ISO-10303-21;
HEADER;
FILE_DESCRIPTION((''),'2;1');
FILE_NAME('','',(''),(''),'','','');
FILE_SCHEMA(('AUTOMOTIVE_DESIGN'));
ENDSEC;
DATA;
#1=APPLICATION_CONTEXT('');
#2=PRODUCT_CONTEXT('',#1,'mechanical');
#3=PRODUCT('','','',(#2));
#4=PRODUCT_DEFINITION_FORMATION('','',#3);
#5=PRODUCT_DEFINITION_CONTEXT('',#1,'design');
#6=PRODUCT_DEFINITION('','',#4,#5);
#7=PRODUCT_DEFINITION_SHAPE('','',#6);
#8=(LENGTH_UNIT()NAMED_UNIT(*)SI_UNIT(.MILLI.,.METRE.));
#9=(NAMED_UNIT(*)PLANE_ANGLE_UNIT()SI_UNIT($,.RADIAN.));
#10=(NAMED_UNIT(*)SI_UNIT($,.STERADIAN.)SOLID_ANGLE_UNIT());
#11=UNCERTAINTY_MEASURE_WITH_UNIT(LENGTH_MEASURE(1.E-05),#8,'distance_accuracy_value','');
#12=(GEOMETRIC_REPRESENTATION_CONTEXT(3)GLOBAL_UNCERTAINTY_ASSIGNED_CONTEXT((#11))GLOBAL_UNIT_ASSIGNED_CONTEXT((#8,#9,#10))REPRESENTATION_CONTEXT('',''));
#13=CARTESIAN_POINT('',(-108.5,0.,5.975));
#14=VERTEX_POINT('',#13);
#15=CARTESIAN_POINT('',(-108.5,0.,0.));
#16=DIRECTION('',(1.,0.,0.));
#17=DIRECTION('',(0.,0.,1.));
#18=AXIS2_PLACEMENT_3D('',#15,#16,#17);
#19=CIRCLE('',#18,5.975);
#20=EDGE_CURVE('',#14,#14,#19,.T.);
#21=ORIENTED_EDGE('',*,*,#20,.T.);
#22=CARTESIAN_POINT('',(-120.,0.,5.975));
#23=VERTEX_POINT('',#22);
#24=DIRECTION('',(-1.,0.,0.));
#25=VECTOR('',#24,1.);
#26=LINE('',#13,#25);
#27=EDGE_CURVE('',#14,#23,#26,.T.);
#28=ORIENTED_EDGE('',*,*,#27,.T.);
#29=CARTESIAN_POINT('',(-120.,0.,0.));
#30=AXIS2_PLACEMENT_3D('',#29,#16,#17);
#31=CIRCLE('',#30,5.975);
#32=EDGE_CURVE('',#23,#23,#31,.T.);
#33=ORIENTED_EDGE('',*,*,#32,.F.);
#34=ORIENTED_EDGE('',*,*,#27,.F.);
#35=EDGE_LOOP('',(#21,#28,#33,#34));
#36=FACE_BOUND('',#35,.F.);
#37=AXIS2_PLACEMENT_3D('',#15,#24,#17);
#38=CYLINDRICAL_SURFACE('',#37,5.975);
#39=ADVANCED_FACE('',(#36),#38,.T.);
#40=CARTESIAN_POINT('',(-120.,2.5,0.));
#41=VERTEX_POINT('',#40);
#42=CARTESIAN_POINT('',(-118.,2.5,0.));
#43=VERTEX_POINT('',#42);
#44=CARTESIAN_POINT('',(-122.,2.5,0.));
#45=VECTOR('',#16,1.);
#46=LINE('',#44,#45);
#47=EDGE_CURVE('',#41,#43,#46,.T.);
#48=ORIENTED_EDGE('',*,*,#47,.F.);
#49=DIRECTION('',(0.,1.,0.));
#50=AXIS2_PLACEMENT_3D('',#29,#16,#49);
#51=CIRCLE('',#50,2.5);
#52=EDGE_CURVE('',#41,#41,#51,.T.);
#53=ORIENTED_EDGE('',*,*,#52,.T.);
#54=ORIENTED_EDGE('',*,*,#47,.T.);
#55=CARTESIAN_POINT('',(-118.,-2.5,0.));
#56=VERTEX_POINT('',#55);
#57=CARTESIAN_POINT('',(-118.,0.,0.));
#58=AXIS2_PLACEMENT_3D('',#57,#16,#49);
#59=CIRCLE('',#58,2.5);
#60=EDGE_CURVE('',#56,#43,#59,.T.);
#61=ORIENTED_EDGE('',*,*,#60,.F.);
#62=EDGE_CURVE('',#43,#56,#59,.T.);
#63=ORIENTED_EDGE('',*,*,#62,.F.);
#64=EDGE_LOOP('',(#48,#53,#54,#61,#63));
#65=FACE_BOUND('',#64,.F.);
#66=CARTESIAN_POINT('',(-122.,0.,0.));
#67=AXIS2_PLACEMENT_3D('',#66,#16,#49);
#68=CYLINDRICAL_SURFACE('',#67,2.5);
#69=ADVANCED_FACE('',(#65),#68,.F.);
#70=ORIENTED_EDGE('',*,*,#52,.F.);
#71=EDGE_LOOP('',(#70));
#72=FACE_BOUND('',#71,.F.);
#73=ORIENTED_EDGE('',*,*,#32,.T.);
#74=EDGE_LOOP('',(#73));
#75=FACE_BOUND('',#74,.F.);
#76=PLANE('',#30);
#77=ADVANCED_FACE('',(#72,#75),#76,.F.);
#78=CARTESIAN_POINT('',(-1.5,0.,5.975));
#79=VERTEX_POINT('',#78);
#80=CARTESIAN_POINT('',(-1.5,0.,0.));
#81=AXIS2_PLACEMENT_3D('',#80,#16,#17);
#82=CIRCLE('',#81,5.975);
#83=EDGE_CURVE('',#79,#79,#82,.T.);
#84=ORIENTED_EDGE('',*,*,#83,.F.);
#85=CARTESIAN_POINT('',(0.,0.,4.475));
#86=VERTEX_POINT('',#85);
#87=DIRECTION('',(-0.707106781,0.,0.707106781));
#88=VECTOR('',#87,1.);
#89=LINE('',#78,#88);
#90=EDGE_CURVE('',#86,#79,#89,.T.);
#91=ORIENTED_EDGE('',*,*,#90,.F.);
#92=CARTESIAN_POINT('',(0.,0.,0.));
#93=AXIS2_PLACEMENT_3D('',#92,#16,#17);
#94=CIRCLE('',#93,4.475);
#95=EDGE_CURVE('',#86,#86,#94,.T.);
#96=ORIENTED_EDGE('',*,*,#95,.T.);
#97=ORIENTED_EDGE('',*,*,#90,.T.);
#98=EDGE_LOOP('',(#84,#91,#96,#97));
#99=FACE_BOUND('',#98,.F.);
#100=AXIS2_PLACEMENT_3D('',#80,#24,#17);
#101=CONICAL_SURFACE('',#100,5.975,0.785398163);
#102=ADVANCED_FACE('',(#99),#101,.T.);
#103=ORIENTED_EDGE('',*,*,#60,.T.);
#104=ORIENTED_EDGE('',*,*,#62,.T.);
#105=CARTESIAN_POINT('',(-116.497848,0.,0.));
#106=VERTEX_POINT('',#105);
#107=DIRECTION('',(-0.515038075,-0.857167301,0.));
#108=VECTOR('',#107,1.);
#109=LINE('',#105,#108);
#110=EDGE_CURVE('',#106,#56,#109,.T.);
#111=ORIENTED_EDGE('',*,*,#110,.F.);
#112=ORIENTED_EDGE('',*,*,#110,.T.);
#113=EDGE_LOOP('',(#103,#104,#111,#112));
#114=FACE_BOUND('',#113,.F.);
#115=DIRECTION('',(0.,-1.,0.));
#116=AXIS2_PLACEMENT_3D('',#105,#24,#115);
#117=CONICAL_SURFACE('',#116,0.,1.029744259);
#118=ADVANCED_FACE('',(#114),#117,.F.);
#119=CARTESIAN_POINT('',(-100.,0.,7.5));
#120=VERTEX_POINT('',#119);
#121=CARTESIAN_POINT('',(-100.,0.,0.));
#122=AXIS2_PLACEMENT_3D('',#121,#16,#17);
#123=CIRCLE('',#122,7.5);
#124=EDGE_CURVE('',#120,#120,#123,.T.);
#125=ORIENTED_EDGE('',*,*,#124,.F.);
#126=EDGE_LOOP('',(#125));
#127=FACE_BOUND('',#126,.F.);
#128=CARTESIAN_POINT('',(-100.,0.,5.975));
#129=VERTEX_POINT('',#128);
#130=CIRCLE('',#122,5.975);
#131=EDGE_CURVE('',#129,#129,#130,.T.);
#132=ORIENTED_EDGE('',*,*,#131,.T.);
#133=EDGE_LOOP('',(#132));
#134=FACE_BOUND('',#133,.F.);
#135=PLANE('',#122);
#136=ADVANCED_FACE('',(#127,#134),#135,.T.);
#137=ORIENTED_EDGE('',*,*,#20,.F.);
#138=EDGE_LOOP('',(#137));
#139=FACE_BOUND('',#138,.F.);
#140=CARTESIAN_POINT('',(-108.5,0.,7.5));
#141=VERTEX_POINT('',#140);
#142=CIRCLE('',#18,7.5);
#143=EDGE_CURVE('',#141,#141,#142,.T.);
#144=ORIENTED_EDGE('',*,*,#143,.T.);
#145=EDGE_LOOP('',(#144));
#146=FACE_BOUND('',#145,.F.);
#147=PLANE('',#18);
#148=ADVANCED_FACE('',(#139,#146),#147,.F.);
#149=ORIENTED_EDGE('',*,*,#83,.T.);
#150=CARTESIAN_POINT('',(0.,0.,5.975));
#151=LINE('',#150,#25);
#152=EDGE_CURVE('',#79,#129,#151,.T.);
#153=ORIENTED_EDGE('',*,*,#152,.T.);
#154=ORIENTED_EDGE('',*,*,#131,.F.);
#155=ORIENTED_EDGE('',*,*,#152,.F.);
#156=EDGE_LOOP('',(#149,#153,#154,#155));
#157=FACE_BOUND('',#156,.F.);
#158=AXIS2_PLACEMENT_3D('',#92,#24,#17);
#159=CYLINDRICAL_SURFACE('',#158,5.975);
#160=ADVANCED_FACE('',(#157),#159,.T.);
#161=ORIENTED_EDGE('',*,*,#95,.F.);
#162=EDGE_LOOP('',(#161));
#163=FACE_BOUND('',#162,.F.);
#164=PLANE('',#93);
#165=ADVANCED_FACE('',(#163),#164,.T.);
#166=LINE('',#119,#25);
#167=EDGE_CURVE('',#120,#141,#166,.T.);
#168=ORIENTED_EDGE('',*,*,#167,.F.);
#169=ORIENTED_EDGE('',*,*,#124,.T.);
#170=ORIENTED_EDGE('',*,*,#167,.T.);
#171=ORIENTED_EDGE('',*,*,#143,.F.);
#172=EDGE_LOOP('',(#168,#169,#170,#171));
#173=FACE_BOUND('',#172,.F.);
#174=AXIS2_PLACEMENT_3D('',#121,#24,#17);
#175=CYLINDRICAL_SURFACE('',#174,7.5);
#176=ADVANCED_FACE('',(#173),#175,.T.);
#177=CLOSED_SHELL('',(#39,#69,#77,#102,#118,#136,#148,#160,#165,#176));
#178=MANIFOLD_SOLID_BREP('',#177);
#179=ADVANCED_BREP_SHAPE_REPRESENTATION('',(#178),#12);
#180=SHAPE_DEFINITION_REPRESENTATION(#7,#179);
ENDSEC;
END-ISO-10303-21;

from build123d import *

# Parameters (mm, degrees)
F3_D     = 5
F3_DEPTH = 2
F3_TIP   = 1.5021515476
F4_SIZE  = 1.5


with BuildPart() as f1:
    # F0 (on Front) → F1 (revolve)
    with BuildSketch(Plane.XZ):
        Polygon((-120, 0), (0, 0), (0, 5.975), (-100, 5.975), (-100, 7.5), (-108.5, 7.5), (-108.5, 5.975), (-120, 5.975), align=None)
    revolve(axis=Axis((-60, 0, 0), (1, 0, 0)))

    # F3
    with Locations(Plane(origin=(-120, 0, 0), x_dir=(0, -1, 0), z_dir=(-1, 0, 0))):
        with Locations((0, 0)):
            Hole(F3_D / 2, depth=F3_DEPTH)
            with Locations((0, 0, -(F3_DEPTH + F3_TIP / 2))):  # 118° drill point
                Cone(0, F3_D / 2, F3_TIP, mode=Mode.SUBTRACT)

    # F4
    f4_edges = [f1.edges().sort_by_distance(p)[0] for p in [
        (0, 0, -5.975),
    ]]
    chamfer(f4_edges, length=F4_SIZE)


solid = f1.part
